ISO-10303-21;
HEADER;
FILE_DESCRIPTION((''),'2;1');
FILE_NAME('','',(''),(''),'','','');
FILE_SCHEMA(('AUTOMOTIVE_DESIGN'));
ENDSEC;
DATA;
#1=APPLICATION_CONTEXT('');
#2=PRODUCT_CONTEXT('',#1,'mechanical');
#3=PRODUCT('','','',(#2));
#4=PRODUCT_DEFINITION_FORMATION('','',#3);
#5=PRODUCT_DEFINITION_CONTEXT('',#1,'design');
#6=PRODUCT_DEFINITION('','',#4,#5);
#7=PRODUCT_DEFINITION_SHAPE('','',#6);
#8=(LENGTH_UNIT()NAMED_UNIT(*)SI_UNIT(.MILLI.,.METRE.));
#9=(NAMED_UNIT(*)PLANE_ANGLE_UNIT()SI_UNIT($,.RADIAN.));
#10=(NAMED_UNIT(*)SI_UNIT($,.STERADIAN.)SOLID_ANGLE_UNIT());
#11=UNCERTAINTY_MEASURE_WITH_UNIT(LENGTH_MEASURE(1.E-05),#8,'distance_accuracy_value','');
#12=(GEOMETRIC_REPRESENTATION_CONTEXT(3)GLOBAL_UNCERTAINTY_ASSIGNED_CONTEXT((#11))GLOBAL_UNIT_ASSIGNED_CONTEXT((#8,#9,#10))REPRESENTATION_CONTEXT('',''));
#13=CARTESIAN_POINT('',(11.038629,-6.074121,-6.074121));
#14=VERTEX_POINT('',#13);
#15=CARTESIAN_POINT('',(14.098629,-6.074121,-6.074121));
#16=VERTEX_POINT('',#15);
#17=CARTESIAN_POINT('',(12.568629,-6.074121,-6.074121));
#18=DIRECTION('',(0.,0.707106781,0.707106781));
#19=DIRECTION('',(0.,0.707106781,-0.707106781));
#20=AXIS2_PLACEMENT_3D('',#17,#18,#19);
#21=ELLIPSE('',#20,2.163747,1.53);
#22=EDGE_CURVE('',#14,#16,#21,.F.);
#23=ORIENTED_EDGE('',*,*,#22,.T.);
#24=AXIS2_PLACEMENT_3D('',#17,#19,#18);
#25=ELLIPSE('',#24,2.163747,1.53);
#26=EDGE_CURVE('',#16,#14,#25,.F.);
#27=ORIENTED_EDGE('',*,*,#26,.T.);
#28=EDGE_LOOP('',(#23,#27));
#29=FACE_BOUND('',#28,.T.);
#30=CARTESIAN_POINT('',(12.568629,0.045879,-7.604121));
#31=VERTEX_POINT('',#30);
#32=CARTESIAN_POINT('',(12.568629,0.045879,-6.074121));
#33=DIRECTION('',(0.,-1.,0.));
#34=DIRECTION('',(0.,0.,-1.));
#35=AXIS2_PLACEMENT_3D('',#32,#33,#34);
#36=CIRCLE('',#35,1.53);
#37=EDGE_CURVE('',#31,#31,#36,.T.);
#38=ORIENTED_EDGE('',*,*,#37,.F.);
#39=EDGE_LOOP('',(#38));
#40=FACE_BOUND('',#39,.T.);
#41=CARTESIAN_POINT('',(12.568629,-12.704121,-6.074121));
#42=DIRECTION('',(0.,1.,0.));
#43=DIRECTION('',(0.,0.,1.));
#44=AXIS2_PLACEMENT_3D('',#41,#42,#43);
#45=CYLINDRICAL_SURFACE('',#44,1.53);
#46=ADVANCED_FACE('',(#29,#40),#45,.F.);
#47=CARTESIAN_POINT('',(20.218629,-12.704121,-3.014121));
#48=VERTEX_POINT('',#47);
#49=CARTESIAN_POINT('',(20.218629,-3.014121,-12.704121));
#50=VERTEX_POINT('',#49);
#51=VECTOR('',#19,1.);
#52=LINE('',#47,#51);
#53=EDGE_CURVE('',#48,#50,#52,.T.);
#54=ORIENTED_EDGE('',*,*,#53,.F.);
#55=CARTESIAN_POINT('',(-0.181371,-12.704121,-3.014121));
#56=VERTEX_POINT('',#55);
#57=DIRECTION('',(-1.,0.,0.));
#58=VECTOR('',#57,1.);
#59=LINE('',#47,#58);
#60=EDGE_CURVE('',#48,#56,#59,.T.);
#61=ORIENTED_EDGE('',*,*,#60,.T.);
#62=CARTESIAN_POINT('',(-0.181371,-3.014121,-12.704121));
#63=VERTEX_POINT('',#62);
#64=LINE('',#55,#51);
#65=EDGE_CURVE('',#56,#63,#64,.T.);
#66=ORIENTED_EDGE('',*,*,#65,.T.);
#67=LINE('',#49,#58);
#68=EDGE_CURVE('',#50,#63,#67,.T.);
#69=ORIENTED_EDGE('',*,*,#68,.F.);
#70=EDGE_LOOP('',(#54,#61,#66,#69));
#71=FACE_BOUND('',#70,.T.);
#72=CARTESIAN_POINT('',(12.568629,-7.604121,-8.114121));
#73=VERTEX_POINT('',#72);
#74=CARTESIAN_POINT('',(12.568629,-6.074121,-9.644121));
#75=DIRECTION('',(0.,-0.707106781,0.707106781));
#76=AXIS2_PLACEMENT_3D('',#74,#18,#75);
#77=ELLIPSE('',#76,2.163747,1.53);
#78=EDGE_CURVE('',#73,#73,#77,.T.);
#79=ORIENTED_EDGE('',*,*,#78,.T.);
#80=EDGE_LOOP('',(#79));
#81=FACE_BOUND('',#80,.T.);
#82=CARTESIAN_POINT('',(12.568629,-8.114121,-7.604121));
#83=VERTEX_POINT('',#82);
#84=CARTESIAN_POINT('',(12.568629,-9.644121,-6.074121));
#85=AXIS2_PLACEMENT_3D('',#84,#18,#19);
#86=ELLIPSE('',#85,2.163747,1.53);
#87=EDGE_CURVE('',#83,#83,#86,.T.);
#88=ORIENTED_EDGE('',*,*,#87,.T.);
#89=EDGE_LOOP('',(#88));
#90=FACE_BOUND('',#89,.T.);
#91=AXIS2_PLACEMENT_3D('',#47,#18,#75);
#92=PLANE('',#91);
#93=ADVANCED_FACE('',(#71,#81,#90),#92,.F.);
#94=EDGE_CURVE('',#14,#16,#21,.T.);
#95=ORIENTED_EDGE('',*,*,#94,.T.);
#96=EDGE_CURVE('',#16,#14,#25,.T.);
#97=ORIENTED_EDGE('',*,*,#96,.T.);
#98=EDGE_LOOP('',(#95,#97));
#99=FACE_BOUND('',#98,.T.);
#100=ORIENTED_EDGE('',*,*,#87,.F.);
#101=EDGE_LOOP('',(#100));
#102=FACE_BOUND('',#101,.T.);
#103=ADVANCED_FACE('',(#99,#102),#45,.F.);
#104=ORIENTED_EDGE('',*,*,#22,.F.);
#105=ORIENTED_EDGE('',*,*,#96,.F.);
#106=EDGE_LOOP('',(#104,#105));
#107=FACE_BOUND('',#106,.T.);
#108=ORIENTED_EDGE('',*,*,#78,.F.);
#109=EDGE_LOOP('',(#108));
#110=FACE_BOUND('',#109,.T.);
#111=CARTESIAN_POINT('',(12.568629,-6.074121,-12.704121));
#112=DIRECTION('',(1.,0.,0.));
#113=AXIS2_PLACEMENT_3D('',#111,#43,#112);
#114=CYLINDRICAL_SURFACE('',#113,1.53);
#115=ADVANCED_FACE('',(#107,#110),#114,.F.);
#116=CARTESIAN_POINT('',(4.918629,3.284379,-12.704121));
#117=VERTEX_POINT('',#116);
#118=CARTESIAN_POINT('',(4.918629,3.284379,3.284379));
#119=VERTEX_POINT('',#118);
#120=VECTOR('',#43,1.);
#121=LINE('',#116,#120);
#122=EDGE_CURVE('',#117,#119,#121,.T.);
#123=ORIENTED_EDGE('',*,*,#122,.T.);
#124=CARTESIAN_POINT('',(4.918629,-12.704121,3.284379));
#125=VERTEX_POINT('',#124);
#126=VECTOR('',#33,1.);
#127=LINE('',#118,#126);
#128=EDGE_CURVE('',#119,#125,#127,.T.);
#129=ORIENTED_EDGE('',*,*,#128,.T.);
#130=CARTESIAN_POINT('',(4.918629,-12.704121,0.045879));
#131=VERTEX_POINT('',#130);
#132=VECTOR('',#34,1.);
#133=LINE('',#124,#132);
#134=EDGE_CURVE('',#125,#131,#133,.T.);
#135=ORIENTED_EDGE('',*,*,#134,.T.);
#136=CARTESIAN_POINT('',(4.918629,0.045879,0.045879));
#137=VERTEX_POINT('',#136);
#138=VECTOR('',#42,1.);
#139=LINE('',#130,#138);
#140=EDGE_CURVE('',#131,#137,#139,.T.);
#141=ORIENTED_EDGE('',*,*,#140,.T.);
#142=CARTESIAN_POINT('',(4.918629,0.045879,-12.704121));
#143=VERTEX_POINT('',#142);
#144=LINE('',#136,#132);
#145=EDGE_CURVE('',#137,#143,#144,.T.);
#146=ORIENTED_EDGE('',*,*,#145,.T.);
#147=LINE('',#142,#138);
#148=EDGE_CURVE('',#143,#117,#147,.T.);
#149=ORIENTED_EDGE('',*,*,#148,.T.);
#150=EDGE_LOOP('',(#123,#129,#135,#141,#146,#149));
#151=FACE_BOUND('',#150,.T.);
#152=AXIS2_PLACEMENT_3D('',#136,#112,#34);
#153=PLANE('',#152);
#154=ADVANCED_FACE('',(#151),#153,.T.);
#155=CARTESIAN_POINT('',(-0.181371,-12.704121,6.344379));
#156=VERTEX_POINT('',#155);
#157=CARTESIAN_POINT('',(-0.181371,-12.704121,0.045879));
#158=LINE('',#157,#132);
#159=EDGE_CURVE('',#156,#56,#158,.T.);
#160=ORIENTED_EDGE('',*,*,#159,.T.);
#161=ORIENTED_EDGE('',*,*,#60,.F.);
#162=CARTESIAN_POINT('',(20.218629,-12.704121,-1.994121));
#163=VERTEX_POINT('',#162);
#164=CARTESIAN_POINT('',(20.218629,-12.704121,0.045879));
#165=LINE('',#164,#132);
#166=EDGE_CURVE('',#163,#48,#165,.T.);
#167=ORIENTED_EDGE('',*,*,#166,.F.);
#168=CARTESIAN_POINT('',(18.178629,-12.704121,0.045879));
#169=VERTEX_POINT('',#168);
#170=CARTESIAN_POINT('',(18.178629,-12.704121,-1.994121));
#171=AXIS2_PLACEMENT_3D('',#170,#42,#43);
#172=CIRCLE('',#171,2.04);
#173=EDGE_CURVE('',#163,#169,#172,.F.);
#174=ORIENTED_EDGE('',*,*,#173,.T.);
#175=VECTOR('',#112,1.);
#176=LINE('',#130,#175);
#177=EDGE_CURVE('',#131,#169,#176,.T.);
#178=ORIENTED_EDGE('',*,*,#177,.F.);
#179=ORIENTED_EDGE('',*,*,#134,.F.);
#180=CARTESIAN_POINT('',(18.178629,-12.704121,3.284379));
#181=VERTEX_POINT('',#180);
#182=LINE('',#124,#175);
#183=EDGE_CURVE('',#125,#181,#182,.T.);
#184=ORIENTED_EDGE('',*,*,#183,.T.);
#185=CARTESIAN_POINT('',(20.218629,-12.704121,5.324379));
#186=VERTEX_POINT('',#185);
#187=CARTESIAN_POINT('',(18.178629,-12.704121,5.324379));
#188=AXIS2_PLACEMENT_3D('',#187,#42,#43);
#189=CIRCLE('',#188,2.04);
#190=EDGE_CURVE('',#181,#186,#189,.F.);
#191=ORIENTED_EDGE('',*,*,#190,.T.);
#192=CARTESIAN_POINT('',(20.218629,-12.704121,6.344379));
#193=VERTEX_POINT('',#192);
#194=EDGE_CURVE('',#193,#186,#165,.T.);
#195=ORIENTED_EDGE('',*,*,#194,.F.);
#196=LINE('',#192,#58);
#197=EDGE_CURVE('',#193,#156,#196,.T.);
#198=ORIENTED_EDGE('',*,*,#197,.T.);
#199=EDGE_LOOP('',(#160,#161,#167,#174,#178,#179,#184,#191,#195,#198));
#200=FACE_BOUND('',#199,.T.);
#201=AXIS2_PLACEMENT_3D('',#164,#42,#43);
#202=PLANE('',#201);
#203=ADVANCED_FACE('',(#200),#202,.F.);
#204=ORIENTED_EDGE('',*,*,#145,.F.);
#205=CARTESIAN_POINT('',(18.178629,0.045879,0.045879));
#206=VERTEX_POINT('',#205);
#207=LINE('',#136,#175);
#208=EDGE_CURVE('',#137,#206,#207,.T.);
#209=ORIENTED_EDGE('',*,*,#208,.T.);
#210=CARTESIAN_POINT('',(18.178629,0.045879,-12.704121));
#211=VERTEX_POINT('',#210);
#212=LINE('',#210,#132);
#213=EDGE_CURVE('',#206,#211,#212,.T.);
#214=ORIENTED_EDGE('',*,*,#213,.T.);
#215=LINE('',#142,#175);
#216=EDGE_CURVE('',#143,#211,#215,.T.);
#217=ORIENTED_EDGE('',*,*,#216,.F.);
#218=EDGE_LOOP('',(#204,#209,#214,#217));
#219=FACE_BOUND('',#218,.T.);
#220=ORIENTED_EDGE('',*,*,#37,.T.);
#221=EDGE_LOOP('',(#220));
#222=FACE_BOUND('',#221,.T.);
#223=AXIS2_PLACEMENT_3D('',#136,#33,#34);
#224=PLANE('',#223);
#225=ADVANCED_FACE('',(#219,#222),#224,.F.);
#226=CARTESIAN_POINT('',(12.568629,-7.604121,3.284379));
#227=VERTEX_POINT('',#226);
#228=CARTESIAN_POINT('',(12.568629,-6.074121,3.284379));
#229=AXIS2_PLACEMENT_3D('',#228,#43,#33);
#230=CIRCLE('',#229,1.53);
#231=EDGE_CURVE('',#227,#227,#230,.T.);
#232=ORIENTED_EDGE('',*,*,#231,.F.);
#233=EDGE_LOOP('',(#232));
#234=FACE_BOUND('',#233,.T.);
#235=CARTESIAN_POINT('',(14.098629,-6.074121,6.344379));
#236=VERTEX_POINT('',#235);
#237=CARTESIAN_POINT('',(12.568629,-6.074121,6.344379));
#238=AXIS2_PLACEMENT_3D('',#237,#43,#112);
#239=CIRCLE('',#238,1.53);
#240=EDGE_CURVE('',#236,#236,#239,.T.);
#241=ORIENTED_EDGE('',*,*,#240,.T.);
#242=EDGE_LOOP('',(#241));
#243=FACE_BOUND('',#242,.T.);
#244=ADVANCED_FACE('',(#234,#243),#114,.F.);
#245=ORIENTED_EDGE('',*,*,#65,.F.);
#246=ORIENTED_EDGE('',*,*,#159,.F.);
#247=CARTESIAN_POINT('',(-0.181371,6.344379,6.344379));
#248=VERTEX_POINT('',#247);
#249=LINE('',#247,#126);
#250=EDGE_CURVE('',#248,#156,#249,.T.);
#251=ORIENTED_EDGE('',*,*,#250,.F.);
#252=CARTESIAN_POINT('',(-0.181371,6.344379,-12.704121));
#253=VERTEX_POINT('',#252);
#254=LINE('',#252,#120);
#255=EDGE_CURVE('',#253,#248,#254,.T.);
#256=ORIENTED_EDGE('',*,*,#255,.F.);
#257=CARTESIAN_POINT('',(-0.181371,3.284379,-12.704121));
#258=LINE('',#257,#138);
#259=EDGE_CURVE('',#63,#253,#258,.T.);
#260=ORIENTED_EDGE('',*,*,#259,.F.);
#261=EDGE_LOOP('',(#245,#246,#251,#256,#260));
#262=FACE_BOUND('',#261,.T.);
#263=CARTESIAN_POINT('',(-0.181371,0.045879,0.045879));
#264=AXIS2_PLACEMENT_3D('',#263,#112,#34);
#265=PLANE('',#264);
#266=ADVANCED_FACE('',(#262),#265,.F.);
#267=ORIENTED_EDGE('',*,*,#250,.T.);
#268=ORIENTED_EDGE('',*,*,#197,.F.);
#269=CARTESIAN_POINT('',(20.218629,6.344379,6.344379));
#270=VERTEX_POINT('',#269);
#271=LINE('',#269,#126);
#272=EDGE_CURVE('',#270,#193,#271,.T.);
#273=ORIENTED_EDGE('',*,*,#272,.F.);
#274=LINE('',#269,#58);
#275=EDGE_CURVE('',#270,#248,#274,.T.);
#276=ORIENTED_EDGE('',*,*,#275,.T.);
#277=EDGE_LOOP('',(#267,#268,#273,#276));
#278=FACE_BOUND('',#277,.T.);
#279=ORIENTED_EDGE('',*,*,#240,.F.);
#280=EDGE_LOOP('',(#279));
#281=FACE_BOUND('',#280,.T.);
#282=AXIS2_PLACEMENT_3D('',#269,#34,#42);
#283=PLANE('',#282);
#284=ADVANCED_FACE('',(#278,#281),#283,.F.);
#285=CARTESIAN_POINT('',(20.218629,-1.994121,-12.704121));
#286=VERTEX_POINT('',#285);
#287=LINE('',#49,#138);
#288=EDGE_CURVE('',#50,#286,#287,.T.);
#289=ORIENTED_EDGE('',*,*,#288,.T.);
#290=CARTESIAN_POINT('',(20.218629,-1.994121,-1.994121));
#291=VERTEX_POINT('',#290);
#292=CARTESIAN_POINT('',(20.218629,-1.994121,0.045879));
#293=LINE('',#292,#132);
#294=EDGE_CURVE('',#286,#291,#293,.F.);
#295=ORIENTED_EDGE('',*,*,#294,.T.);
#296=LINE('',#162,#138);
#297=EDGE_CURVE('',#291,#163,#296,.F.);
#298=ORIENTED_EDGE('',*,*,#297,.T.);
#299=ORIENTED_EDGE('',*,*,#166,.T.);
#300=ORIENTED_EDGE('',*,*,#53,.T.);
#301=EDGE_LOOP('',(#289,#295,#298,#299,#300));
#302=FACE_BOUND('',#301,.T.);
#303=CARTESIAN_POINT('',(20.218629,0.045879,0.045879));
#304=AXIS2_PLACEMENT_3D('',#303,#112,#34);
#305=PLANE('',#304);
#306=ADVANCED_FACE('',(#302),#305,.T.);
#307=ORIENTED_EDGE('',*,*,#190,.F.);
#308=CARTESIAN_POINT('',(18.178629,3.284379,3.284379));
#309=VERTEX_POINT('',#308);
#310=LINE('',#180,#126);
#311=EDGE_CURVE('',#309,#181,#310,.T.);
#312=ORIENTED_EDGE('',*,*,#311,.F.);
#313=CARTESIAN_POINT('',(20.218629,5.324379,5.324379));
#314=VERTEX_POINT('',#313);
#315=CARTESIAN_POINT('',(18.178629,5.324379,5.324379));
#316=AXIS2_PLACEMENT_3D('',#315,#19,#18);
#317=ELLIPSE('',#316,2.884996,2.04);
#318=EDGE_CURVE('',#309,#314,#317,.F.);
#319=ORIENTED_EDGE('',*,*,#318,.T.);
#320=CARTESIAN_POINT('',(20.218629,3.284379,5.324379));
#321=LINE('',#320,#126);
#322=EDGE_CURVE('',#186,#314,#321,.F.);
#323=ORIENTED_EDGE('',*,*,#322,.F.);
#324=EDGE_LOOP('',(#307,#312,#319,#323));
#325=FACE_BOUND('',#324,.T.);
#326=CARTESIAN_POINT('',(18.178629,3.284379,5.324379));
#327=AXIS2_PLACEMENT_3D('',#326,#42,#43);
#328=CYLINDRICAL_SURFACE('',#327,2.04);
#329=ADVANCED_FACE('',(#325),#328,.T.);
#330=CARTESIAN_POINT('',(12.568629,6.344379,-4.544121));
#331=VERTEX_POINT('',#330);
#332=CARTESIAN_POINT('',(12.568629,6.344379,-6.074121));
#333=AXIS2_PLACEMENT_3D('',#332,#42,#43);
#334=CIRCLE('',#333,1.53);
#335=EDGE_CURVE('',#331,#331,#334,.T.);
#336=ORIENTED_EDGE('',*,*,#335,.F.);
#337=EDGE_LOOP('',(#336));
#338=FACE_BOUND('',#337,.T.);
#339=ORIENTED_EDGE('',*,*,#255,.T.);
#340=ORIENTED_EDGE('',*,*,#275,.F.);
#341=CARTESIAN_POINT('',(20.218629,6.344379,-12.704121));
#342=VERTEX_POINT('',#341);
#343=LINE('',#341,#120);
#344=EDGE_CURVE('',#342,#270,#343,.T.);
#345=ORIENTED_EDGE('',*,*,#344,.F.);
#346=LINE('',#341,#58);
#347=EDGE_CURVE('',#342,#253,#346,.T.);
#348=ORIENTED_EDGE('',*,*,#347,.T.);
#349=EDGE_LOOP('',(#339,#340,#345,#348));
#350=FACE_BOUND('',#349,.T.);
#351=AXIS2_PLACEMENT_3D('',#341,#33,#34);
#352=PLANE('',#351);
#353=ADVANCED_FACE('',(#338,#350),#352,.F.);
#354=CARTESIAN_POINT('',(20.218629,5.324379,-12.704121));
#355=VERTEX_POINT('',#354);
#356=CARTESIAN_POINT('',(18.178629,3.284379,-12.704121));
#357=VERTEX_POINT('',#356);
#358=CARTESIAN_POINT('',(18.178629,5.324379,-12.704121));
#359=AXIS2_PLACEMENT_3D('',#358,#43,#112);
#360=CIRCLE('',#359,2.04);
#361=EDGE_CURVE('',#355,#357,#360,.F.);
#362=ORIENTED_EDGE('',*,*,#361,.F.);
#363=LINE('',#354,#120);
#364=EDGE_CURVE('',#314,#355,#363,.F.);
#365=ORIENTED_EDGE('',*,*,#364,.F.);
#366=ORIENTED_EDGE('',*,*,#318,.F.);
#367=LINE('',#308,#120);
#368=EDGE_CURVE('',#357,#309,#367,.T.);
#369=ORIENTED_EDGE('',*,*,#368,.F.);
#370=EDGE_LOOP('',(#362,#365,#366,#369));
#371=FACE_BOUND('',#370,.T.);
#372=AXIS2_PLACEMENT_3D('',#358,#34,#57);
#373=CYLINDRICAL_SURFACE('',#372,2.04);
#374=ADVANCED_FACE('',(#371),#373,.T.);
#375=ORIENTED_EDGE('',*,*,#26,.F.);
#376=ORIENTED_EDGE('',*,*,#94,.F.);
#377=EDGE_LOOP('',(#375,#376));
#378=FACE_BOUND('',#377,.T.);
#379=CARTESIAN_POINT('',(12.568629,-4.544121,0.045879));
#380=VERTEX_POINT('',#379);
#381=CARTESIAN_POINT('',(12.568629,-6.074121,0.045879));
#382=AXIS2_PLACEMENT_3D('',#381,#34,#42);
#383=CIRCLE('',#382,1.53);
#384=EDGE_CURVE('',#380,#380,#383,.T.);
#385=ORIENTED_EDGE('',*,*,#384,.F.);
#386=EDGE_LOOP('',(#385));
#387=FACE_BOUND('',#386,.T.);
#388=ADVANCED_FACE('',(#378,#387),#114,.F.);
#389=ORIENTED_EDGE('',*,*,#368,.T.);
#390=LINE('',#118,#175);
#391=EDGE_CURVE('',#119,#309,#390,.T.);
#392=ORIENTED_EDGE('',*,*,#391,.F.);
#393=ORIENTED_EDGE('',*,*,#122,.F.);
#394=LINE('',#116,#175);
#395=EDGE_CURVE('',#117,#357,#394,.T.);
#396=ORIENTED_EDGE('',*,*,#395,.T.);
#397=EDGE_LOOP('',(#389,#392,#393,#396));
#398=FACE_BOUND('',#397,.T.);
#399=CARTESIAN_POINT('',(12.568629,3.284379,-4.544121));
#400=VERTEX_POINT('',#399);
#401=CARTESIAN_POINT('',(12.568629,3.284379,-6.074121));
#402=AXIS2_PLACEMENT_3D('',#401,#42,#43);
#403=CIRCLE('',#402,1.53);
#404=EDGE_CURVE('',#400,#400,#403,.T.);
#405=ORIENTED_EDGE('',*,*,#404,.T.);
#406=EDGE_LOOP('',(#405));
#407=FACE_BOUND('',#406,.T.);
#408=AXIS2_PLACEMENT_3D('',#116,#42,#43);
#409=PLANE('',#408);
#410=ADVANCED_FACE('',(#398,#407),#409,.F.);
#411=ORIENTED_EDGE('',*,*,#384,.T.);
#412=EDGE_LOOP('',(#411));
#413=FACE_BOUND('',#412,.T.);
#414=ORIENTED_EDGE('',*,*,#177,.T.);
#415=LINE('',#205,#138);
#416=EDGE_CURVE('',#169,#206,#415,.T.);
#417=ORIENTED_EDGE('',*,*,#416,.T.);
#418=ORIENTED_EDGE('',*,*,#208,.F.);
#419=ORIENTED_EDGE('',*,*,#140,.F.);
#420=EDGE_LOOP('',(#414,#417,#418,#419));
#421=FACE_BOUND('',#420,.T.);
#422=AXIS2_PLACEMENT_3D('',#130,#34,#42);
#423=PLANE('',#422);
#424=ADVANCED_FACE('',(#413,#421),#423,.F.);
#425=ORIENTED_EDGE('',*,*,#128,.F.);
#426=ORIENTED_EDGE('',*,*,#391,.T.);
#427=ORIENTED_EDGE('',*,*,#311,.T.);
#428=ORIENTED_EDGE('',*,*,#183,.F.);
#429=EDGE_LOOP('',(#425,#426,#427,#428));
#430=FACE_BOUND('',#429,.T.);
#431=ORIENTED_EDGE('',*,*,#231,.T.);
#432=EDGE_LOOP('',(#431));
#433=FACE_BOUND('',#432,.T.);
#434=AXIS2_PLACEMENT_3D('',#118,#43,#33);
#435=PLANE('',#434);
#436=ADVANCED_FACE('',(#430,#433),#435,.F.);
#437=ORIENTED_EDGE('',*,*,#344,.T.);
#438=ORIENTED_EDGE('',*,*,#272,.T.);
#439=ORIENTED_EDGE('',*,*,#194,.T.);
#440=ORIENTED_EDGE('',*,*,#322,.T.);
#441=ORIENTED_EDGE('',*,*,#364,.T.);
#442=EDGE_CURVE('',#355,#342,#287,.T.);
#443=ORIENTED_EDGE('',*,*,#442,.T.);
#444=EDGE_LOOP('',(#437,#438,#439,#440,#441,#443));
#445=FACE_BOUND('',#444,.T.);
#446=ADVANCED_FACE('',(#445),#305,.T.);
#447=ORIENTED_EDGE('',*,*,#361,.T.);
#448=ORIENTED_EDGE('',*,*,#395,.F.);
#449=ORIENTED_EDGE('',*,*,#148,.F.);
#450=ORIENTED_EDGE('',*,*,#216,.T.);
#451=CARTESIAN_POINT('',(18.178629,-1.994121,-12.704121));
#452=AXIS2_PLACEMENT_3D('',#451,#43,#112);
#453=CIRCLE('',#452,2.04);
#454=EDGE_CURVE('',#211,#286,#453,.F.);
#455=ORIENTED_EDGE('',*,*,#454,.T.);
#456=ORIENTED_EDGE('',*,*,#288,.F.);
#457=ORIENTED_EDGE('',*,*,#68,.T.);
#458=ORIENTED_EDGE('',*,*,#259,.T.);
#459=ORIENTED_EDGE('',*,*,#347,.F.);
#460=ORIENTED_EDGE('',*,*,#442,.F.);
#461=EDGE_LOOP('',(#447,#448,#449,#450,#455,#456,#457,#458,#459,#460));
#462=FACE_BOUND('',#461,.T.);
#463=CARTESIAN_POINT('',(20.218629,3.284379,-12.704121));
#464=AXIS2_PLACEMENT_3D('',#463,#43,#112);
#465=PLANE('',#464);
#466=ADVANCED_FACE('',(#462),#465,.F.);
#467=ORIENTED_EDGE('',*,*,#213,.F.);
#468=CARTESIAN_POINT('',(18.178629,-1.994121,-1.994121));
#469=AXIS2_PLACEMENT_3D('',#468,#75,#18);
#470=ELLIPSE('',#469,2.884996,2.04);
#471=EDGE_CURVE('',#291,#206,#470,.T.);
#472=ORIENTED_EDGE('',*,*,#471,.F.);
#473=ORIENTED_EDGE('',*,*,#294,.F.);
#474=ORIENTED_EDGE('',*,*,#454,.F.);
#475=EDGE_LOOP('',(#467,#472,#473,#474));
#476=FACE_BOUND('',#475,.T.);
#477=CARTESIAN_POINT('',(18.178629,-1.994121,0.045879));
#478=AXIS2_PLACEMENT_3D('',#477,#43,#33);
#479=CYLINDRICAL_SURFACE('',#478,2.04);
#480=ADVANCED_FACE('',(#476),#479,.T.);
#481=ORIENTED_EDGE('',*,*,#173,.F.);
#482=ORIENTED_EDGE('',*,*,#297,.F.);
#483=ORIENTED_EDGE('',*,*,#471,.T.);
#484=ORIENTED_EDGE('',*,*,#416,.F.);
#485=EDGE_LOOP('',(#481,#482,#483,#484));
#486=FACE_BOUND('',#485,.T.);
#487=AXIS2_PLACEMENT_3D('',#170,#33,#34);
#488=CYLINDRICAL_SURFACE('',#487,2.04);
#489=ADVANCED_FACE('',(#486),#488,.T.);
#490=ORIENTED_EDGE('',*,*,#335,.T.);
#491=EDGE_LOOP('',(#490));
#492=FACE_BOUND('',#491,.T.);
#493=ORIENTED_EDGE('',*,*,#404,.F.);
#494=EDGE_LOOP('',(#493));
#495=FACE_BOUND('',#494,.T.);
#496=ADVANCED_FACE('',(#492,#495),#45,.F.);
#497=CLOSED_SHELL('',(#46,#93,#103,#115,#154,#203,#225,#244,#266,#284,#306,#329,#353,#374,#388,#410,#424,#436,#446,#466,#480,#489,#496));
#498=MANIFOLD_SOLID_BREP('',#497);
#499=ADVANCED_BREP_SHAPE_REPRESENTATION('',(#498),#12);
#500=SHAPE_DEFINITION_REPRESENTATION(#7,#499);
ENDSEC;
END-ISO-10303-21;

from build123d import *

# Parameters (mm, degrees)
BOSS_EXTRUDE1_DEPTH = 20
CUT_EXTRUDE1_DEPTH  = 15
FILLET1_R           = 2
SKETCH3_R           = 1.5
CUT_EXTRUDE2_DEPTH  = 31.083311404
SKETCH4_R           = 1.5
CUT_EXTRUDE3_DEPTH  = 31.083311404
SCALE1_SCALE        = 1.02


with BuildPart() as part:
    # Sketch1 → Boss-Extrude1 (new body)
    with BuildSketch(Plane(origin=(0, 0, 0), x_dir=(0, 0, -1), z_dir=(1, 0, 0))):
        Polygon((0, -12.5), (-3.175, -12.5), (-6.175, -12.5), (-6.175, 6.175), (12.5, 6.175), (12.5, 3.175), (12.5, 0), (12.5, -3), (3, -12.5), align=None)
    extrude(amount=BOSS_EXTRUDE1_DEPTH)

    # Sketch2 → Cut-Extrude1 (cut)
    with BuildSketch(Plane(origin=(20, 0, 0), x_dir=(0, 0, -1), z_dir=(1, 0, 0))):
        Polygon((-3.175, -12.5), (0, -12.5), (0, 0), (12.5, 0), (12.5, 3.175), (-3.175, 3.175), align=None)
    extrude(amount=-CUT_EXTRUDE1_DEPTH, mode=Mode.SUBTRACT)

    # Fillet1
    fillet1_edges = [part.edges().sort_by_distance(p)[0] for p in [
        (20, -4.6625, 3.175),
        (20, -6.25, 0),
        (20, 0, -6.25),
        (20, 3.175, -4.6625),
    ]]
    fillet(fillet1_edges, radius=FILLET1_R)

    # Sketch3 → Cut-Extrude2 (cut, through all)
    with BuildSketch(Plane(origin=(0, 6.175, 0), x_dir=(1, 0, 0), z_dir=(0, 1, 0))):
        with Locations(Location((12.5, 6, 0), (0, 0, 90))):
            Circle(SKETCH3_R)
    extrude(amount=-CUT_EXTRUDE2_DEPTH, mode=Mode.SUBTRACT)

    # Sketch4 → Cut-Extrude3 (cut, through all)
    with BuildSketch(Plane.XY.offset(6.175)):
        with Locations((12.5, -6)):
            Circle(SKETCH4_R)
    extrude(amount=-CUT_EXTRUDE3_DEPTH, mode=Mode.SUBTRACT)


with BuildPart() as part_1:
    # Scale1: scaled about (9.068575954, -2.293993837, -2.293993837)
    add(part.part.scale(SCALE1_SCALE).moved(Location((-0.181371519, 0.045879877, 0.045879877))))


solid = part_1.part
